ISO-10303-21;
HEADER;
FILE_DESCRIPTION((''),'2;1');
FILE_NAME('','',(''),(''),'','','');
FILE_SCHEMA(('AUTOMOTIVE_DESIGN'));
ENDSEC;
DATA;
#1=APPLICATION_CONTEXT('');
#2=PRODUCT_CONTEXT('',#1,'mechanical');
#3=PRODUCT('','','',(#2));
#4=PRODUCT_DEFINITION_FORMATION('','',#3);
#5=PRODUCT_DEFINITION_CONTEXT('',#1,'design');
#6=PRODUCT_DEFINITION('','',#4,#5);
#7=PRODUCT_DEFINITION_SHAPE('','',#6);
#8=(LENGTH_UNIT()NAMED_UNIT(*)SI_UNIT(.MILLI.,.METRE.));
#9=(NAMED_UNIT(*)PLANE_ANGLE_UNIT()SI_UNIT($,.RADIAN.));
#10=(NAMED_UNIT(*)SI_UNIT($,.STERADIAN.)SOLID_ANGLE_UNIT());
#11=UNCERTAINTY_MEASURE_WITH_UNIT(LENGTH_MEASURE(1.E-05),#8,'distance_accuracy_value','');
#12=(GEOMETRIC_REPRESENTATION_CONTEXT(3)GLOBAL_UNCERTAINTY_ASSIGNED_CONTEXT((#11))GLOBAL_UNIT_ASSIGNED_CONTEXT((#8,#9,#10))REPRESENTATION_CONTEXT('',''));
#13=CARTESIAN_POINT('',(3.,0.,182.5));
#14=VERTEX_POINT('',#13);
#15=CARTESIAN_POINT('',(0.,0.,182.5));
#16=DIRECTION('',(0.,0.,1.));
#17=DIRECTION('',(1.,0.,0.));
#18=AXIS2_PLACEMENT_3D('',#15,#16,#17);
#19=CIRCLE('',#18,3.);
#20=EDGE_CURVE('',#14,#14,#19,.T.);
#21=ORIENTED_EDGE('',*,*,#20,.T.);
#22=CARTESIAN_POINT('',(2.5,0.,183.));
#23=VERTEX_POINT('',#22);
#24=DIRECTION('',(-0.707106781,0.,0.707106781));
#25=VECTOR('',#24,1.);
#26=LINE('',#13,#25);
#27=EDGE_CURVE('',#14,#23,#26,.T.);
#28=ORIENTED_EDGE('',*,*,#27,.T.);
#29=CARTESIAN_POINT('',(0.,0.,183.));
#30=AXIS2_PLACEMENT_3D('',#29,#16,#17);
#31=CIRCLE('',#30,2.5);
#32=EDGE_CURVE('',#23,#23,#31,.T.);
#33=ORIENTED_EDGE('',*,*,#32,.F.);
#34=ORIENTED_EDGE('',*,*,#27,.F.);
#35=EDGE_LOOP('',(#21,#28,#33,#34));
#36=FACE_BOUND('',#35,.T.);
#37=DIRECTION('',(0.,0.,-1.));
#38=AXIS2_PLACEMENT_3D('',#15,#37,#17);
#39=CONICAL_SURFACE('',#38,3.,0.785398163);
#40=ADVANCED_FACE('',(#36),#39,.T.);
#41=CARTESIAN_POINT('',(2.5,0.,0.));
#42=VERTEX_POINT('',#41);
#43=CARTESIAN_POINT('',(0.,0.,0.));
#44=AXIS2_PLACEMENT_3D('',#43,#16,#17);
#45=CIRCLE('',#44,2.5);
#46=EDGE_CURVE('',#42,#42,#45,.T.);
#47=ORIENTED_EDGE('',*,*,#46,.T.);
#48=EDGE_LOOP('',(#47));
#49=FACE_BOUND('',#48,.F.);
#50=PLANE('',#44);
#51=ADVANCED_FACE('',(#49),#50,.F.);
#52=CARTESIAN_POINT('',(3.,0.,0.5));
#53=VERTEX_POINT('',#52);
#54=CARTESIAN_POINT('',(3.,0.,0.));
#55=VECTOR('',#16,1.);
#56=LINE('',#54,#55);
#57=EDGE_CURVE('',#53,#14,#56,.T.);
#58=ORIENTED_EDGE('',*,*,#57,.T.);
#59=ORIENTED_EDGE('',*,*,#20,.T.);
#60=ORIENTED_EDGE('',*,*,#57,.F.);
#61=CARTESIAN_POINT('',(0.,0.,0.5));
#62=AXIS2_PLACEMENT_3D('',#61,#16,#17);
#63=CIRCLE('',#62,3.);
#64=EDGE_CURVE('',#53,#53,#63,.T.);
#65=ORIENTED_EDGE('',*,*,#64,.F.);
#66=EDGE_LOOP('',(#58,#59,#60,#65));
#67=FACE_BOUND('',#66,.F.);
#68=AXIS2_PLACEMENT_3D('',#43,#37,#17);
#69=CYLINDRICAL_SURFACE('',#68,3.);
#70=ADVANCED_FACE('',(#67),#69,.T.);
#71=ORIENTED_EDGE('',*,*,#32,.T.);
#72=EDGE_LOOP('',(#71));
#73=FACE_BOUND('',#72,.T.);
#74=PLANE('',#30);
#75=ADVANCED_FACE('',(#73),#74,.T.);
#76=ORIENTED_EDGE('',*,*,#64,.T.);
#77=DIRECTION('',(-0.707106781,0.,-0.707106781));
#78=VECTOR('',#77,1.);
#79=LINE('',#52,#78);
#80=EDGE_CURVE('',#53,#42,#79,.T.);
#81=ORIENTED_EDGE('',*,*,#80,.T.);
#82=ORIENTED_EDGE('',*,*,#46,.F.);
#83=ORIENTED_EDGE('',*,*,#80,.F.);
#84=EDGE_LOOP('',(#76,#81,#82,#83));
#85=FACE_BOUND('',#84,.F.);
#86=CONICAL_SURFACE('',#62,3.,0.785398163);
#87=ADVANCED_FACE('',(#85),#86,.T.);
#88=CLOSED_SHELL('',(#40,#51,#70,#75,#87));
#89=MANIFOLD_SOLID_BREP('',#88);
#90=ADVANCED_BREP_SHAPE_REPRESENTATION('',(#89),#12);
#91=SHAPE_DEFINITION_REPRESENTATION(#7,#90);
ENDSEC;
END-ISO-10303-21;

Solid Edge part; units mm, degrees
sketch "Sketch1" plane through (0, 0, 0) normal (0, 0, 1) x (1, 0, 0)
  circle A0 centre (0, 0) radius 3
extrude "Protrusion1" add sketch "Sketch1" along normal blind 183
chamfer "Chamfer_1" distance 0.5 angle 45 2 edges at (-3, 0, 0) (-3, 0, 183)
cosmetic_thread "Thread1" size "M6"
properties material "Steel"
